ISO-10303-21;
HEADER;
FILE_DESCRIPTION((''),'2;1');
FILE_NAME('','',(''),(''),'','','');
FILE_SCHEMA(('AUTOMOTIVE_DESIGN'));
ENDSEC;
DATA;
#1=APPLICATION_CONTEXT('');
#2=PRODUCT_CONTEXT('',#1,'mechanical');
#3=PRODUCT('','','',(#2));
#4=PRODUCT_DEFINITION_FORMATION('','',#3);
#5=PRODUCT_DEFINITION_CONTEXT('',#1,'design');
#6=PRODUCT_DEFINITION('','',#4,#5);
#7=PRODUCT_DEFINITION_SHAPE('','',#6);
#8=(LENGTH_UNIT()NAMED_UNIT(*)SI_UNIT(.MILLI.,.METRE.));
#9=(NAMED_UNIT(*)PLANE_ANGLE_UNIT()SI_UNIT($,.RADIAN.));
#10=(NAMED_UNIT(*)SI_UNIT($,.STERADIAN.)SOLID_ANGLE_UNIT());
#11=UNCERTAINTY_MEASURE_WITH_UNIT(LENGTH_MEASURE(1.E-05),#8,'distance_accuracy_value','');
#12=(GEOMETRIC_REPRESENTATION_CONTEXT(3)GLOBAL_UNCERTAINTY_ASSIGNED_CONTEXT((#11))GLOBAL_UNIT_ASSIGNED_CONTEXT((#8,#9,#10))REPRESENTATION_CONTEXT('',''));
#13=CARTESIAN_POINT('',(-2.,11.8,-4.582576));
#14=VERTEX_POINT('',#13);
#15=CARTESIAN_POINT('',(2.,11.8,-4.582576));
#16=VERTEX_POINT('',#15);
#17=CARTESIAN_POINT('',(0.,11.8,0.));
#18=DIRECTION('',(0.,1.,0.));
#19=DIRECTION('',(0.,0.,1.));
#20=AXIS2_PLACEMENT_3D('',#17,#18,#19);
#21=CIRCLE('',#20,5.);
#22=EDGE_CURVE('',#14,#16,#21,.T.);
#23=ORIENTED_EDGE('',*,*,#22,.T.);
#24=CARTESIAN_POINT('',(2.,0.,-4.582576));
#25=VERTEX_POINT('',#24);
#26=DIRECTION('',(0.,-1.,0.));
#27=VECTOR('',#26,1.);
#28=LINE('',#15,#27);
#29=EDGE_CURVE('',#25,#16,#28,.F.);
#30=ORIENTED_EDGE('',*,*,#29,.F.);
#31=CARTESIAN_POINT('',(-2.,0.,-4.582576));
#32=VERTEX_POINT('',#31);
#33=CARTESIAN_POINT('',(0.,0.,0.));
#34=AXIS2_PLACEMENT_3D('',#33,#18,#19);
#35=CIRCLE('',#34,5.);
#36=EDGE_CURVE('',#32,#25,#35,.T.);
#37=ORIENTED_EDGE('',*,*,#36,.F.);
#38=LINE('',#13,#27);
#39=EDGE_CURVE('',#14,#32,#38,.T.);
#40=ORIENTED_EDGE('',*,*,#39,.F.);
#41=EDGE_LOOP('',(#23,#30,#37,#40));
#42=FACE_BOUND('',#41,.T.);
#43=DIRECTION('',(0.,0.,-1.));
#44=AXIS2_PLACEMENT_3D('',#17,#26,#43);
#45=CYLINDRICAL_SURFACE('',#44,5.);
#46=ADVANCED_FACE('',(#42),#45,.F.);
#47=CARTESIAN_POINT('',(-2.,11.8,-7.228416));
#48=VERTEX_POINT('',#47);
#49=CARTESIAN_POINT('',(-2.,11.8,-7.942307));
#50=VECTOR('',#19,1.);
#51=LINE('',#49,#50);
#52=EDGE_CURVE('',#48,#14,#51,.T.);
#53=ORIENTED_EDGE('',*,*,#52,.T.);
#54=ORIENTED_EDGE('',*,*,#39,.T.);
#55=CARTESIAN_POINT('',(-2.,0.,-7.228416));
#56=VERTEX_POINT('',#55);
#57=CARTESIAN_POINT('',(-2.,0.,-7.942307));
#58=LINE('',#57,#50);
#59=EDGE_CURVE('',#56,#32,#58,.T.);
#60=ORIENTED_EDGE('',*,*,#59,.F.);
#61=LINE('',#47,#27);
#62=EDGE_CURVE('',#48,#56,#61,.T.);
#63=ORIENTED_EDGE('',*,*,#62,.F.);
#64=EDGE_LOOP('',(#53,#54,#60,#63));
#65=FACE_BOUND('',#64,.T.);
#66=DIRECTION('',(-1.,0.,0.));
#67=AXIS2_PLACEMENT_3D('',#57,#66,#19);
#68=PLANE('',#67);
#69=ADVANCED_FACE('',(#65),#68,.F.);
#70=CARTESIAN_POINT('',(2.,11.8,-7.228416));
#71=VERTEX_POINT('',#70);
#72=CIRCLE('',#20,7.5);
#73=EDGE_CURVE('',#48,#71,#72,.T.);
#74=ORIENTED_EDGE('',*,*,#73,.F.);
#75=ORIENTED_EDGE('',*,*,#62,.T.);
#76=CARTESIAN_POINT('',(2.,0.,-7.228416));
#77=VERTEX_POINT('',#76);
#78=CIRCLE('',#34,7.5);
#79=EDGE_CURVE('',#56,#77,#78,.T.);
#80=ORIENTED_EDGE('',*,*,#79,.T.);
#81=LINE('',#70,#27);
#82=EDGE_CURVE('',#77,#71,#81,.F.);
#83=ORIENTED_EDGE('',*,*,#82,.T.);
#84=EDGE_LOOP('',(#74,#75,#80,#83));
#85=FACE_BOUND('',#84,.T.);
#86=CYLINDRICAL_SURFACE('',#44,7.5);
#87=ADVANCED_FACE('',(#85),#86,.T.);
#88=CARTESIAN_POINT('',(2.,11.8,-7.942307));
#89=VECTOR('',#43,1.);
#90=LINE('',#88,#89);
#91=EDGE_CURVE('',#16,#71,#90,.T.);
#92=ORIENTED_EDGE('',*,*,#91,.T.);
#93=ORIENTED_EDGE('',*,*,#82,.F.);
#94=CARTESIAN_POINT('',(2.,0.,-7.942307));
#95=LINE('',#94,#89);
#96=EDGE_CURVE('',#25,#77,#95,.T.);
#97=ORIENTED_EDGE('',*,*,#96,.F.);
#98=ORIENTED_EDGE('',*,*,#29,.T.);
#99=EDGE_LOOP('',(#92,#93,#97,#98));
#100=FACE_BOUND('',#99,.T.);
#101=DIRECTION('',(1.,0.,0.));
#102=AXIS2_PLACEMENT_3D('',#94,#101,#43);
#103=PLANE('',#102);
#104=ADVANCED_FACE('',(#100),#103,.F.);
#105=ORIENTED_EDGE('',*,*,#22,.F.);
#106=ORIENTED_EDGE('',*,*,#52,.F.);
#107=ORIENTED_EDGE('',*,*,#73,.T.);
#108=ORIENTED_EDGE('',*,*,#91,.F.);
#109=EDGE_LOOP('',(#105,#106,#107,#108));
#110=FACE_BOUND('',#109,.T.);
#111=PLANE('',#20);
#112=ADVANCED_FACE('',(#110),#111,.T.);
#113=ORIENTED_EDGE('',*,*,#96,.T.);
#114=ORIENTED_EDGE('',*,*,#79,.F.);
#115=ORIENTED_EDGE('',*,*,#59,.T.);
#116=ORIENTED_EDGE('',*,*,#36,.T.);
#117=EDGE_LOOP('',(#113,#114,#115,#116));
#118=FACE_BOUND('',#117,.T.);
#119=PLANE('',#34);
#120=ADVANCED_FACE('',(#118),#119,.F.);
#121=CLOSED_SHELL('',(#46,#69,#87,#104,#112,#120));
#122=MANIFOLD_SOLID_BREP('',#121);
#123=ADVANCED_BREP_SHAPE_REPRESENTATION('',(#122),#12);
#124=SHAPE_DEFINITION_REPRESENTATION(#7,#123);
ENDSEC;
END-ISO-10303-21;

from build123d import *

# Parameters (mm, degrees)
SKETCH1_R           = 7.5
SKETCH1_R_2         = 5
BOSS_EXTRUDE1_DEPTH = 11.8
SKETCH2_W           = 4
SKETCH2_H           = 4
CUT_EXTRUDE1_DEPTH  = 16.866316523


with BuildPart() as part:
    # Sketch1 → Boss-Extrude1 (new body)
    with BuildSketch(Plane(origin=(0, 0, 0), x_dir=(1, 0, 0), z_dir=(0, 1, 0))):
        with Locations(Location((0, 0, 0), (0, 0, 270))):
            Circle(SKETCH1_R)
        with Locations(Location((0, 0, 0), (0, 0, 270))):
            Circle(SKETCH1_R_2, mode=Mode.SUBTRACT)
    extrude(amount=BOSS_EXTRUDE1_DEPTH)

    # Sketch2 → Cut-Extrude1 (cut, through all)
    with BuildSketch(Plane(origin=(0, 11.8, 0), x_dir=(1, 0, 0), z_dir=(0, 1, 0))):
        with Locations((0, 5.942306576)):
            Rectangle(SKETCH2_W, SKETCH2_H)
    extrude(amount=-CUT_EXTRUDE1_DEPTH, mode=Mode.SUBTRACT)


solid = part.part
